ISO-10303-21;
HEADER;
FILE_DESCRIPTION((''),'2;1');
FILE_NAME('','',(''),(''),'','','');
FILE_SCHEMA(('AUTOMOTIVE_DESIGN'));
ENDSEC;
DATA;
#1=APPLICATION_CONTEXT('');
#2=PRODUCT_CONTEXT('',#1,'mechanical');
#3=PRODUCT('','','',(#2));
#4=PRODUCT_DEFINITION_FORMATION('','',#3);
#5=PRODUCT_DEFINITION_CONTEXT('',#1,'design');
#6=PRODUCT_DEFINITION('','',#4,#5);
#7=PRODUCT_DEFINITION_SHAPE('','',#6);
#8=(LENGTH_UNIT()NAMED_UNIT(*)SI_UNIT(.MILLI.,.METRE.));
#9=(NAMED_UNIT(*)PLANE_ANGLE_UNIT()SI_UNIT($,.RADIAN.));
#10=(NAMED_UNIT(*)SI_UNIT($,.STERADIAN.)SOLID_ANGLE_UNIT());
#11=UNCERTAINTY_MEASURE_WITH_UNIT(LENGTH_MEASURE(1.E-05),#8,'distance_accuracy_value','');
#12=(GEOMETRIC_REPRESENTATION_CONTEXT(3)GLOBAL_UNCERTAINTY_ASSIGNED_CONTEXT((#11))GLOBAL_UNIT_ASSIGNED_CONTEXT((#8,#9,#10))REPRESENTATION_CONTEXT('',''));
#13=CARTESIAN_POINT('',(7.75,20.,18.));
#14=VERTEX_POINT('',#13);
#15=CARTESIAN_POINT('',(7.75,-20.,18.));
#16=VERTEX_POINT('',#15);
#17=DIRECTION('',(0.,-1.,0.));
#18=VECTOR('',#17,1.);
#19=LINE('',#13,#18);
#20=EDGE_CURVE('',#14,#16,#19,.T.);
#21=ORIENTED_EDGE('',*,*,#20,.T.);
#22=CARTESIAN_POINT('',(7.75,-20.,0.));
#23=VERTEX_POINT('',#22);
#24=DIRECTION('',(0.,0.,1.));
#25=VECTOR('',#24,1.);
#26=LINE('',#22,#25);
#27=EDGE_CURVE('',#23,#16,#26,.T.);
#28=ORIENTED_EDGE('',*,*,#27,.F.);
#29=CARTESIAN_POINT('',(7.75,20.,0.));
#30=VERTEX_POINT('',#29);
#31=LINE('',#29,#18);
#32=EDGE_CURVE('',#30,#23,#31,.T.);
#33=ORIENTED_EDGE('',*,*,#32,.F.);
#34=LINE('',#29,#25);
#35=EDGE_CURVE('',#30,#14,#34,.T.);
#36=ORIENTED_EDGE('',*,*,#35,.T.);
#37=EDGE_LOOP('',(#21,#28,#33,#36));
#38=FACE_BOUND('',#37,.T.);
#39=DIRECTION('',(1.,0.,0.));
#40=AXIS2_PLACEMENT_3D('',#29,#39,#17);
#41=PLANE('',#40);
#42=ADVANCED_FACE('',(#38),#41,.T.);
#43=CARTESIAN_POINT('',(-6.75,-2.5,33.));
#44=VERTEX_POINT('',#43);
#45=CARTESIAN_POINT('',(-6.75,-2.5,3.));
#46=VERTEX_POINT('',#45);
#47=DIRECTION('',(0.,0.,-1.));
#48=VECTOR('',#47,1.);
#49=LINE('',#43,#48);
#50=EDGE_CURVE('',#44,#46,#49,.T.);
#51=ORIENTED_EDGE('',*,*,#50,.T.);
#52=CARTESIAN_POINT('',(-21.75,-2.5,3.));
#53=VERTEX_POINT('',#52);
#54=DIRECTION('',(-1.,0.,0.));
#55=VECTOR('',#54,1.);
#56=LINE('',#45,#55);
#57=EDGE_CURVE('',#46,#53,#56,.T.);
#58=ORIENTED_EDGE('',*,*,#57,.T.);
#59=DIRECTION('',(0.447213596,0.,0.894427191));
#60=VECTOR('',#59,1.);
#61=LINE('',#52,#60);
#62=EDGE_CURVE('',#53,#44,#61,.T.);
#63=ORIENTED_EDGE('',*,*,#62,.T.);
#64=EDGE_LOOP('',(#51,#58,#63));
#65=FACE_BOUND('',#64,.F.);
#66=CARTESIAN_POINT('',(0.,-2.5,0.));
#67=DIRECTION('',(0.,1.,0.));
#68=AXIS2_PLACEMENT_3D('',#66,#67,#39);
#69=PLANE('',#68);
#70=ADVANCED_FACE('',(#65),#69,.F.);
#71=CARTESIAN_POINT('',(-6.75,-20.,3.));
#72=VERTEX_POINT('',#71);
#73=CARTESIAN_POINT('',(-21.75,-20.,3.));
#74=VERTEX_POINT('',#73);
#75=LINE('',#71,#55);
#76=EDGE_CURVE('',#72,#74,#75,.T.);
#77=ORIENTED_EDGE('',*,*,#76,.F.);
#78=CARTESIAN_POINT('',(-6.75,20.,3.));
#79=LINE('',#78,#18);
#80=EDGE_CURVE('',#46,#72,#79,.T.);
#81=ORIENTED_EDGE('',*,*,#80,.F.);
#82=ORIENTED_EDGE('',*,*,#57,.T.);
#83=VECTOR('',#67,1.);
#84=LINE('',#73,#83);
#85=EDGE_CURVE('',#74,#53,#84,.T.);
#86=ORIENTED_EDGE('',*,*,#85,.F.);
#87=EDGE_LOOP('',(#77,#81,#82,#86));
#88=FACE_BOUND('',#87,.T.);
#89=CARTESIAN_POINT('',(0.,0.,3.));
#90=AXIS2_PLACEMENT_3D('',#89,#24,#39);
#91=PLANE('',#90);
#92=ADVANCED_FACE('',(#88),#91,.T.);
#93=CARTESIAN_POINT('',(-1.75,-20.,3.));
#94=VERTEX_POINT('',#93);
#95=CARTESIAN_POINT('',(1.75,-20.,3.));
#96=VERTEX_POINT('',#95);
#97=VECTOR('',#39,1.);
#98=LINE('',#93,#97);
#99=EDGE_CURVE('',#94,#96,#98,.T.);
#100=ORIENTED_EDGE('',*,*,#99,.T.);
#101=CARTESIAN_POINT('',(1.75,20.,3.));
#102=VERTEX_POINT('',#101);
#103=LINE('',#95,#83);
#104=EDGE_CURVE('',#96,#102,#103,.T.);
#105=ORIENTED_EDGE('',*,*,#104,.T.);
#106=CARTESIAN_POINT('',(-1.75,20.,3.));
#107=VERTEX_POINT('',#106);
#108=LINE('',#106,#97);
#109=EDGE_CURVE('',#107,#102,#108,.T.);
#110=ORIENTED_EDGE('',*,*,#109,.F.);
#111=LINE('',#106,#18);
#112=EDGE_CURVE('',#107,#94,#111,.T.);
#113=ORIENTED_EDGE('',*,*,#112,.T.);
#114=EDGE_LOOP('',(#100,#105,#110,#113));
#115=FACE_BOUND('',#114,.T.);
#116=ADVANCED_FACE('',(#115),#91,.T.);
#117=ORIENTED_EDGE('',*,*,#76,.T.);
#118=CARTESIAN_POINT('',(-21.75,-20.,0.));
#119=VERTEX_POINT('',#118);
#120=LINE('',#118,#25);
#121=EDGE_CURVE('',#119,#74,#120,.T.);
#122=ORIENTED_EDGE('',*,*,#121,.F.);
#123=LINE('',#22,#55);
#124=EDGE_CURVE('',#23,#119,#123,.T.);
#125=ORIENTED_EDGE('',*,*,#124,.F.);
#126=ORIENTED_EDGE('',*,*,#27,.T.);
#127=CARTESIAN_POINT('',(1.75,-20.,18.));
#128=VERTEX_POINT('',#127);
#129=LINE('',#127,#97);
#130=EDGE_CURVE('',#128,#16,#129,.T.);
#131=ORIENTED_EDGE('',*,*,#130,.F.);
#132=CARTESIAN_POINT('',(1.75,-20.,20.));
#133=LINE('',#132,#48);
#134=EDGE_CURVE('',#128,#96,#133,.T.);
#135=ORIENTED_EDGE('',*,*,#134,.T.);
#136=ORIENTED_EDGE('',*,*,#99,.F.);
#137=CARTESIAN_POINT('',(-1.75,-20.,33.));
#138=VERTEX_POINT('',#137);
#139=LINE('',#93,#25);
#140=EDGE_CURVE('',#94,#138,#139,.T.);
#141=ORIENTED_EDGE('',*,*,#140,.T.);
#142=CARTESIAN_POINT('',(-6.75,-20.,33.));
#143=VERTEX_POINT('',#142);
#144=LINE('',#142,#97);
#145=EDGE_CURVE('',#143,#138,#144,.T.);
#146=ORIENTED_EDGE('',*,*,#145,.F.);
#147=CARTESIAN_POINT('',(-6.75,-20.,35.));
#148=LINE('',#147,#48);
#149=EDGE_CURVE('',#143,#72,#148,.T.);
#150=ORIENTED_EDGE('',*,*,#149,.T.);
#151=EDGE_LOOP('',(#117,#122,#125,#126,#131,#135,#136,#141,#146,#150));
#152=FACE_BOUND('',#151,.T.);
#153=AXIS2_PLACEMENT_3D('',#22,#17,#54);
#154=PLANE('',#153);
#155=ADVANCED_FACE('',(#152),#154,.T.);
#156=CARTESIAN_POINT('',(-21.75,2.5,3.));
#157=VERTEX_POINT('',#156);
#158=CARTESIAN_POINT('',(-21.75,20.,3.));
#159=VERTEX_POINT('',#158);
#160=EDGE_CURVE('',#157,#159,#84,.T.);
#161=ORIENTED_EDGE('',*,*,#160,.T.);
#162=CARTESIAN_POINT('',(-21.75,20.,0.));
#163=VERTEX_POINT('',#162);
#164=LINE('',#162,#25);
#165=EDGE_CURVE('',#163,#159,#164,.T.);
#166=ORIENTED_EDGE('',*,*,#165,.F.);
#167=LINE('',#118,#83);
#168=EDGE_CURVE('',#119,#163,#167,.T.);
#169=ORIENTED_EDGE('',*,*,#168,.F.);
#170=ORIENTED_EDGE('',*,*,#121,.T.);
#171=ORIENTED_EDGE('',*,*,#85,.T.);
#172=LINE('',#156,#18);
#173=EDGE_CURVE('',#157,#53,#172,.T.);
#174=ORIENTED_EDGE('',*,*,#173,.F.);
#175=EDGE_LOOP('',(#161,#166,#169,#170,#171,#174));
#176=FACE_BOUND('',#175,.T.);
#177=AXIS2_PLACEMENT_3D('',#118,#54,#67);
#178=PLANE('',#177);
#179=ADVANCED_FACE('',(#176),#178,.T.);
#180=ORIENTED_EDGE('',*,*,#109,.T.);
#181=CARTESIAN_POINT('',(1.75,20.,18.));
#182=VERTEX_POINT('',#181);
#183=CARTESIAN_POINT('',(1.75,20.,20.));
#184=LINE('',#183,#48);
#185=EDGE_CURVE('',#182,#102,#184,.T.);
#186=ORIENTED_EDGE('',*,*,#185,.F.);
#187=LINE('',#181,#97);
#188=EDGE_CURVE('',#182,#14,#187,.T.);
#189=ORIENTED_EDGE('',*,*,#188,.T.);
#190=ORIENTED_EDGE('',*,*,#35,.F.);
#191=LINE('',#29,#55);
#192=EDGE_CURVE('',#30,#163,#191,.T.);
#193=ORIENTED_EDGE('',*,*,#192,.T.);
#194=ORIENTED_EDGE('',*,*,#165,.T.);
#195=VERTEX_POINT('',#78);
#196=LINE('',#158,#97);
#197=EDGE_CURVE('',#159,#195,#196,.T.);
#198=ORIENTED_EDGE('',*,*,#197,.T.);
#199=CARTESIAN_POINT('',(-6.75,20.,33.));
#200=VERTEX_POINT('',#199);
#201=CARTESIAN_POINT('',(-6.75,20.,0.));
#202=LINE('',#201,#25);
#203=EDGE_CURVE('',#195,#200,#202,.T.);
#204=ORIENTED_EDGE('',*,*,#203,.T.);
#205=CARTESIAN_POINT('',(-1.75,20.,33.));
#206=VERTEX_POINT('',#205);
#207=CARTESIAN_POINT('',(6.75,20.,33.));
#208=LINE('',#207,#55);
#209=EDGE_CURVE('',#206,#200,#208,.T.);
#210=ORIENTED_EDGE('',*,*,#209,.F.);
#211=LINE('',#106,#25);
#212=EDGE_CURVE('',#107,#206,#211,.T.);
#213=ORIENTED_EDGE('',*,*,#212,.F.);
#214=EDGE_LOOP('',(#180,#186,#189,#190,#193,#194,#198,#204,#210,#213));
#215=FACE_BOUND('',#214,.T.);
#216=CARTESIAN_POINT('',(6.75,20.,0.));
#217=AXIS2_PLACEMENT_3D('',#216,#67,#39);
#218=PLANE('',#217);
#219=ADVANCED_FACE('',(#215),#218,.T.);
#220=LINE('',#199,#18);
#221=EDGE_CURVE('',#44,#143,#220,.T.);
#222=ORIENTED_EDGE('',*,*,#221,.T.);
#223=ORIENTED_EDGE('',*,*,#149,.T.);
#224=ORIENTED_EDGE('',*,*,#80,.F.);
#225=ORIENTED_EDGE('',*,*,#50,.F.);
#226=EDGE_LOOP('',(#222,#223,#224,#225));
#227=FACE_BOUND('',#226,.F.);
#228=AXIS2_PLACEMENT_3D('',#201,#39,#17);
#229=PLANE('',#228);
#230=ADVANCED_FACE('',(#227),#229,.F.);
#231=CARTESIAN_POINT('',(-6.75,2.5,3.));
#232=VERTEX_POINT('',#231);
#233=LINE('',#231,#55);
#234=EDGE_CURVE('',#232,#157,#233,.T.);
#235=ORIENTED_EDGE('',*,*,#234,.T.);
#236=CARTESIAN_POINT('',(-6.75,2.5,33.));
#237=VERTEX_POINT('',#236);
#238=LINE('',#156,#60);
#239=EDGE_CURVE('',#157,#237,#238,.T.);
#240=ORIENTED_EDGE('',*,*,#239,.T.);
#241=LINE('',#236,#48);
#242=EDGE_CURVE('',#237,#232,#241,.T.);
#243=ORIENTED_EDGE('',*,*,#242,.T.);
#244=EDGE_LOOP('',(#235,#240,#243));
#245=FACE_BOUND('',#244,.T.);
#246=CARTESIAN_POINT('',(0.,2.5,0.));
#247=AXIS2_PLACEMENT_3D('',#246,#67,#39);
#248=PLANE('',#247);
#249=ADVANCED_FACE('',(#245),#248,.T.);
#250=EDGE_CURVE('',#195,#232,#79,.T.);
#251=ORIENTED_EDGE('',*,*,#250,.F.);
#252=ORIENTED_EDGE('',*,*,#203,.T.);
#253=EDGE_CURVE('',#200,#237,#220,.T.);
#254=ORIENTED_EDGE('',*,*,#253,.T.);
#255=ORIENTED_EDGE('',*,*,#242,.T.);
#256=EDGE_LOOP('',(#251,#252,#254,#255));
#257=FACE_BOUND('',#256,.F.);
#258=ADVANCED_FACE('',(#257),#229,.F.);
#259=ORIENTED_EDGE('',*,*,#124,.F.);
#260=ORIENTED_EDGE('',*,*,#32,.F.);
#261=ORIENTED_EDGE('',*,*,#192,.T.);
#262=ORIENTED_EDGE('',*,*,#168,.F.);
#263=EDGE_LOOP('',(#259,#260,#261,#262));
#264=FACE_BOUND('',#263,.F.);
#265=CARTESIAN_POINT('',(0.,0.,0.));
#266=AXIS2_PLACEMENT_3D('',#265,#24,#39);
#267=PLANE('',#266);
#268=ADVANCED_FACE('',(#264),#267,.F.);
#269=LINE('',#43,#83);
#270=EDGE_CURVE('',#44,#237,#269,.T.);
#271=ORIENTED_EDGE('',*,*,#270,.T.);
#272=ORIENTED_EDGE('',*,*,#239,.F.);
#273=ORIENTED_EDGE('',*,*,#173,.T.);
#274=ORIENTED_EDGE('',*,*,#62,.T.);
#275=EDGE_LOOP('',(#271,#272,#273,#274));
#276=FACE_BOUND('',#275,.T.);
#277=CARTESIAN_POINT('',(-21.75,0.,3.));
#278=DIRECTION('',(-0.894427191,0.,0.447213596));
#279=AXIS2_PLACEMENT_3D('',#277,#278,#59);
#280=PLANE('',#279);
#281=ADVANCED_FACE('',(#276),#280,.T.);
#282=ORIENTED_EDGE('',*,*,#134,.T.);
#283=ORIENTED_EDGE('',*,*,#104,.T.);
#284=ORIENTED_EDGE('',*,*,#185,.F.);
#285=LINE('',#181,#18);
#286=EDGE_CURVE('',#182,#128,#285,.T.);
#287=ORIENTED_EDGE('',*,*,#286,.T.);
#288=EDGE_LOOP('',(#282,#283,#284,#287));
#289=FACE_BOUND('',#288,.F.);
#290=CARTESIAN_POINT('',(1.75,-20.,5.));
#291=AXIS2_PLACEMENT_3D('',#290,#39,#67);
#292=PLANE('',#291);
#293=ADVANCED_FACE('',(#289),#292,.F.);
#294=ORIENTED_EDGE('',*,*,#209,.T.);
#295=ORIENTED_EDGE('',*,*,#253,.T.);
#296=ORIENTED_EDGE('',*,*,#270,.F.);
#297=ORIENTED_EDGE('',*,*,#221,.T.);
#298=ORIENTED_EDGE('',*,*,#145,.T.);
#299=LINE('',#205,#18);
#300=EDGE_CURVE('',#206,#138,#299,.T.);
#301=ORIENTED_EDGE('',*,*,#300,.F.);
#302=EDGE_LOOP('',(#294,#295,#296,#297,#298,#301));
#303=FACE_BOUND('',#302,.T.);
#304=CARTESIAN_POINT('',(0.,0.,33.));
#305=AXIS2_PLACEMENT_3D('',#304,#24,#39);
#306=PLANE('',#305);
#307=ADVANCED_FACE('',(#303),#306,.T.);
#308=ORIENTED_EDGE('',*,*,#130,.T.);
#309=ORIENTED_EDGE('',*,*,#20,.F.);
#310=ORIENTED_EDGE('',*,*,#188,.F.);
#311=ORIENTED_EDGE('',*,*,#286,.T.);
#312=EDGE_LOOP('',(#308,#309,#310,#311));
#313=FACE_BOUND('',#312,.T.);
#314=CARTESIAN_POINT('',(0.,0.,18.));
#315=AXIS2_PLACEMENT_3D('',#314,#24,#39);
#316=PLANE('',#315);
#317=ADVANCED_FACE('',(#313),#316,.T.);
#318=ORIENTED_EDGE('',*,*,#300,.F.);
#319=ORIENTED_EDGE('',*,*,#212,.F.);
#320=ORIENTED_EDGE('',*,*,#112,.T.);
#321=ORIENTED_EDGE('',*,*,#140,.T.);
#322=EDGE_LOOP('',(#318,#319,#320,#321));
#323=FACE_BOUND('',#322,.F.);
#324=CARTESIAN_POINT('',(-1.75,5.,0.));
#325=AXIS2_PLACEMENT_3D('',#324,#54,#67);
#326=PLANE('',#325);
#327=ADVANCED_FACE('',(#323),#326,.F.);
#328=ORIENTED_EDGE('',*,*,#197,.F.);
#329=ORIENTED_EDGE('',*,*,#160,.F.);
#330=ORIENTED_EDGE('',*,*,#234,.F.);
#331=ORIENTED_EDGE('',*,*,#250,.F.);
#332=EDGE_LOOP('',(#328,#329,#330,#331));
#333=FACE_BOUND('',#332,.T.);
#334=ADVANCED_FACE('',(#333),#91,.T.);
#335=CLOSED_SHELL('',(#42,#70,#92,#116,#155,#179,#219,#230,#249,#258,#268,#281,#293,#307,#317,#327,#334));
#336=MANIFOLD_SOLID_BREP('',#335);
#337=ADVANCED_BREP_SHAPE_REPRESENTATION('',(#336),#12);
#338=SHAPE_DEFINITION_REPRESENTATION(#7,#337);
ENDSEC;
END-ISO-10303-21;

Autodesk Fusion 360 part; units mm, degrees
sketch "Sketch1" plane through (0, 0, 0) normal (0, 0, 1) x (1, 0, 0)
  line L0 (6.75, 20) -> (-6.75, 20)
  line L1 (-6.75, 20) -> (-6.75, -20)
  line L2 (-6.75, -20) -> (6.75, -20)
  line L3 (6.75, -20) -> (6.75, 20)
  line L4 (6.75, 20) -> (-6.75, -20) construction
  line L5 (-6.75, 20) -> (6.75, -20) construction
  line L6 (1.5, -20) -> (-1.5, -20)
  line L7 (-1.5, -20) -> (-1.5, 20)
  line L8 (-1.5, 20) -> (1.5, 20)
  line L9 (1.5, 20) -> (1.5, -20)
  line L10 (1.5, -20) -> (-1.5, 20) construction
  line L11 (-1.5, -20) -> (1.5, 20) construction
  line L12 (1.75, -20) -> (-1.75, -20)
  line L13 (-1.75, -20) -> (-1.75, 20)
  line L14 (-1.75, 20) -> (1.75, 20)
  line L15 (1.75, 20) -> (1.75, -20)
  line L16 (1.75, -20) -> (-1.75, 20) construction
  line L17 (-1.75, -20) -> (1.75, 20) construction
  line L18 (5, -5) -> (-5, -5)
  line L19 (-5, -5) -> (-5, 5)
  line L20 (-5, 5) -> (5, 5)
  line L21 (5, 5) -> (5, -5)
  line L22 (5, -5) -> (-5, 5) construction
  line L23 (-5, -5) -> (5, 5) construction
  line L24 (1.75, -20) -> (6.75, -20)
  line L25 (6.75, -20) -> (6.75, 20)
  line L26 (6.75, 20) -> (1.75, 20)
  line L27 (1.75, 20) -> (1.75, -20)
  line L28 (-6.75, -20) -> (-21.75, -20)
  line L29 (-21.75, -20) -> (-21.75, 20)
  line L30 (-21.75, 20) -> (-6.75, 20)
  line L31 (-6.75, 20) -> (-6.75, -20)
  line L32 (6.75, 20) -> (7.75, 20)
  line L33 (7.75, 20) -> (7.75, -20)
  line L34 (7.75, -20) -> (6.75, -20)
  line L35 (6.75, -20) -> (6.75, 20)
  dimension "d1" = 13.5
  dimension "d2" = 40
  dimension "d3" = 3
  dimension "d4" = 3.5
  dimension "d5" = 40
  dimension "d6" = 10
  dimension "d7" = 10
  dimension "d18" = 5
  dimension "d19" = 15
  dimension "d20" = 40
  dimension "d29" = 1
  dimension "d30" = 40
extrude "Extrude1" add sketch "Sketch1" along normal blind 20 contours L0 L2 L3 L15 L18 L20 L21 L24 L25 L26 L27 L35 | L15 L18 L20 L21 L27 | L0 L1 L2 L13 L18 L19 L20 L31 | L13 L18 L19 L20 makes body 1 at (-1.75, -6.6667, 6.6667) makes body 2 at (6.75, -6.6667, 6.6667)
extrude "Extrude2" add 1 faces at (-3.4167, -6.6667, 20) along direction (0, 0, 1) blind 15 on bodies 1 bodies 1
extrude "Extrude3" add sketch "Sketch1" along normal blind 5 contours L0 L9 L14 L15 L20 L27 | L0 L7 L8 L9 L14 L20 | L9 L15 L18 L20 L27 | L2 L9 L12 L15 L18 L27 | L0 L7 L13 L14 L20 | L7 L9 L18 L20 | L2 L6 L7 L9 L12 L18 | L7 L13 L18 L20 | L2 L7 L12 L13 L18 bodies 1 2
extrude "Extrude4" add sketch "Sketch1" along normal blind 5 contours L0 L2 L3 L15 L18 L20 L21 L24 L25 L26 L27 L35 | L0 L9 L14 L15 L20 L27 | L0 L7 L8 L9 L14 L20 | L2 L9 L12 L15 L18 L27 | L0 L7 L13 L14 L20 | L2 L6 L7 L9 L12 L18 | L0 L1 L2 L13 L18 L19 L20 L31 | L2 L7 L12 L13 L18 bodies 1
extrude "Extrude5" add sketch "Sketch1" along normal blind 5 contours L15 L18 L20 L21 L27 bodies 1
extrude "Extrude6" add sketch "Sketch1" along normal blind 3 contours L1 L28 L29 L30 L31 bodies 1
extrude "Extrude7" cut 1 faces at (0.5833, -6.6667, 5) along direction (0, 0, -1) blind 2 on bodies 1 bodies 1
extrude "Extrude8" cut 1 faces at (5.0833, 6.6667, 20) along direction (0, 0, -1) blind 2 on bodies 1 bodies 1
extrude "Extrude9" cut 1 faces at (-3.4167, -6.6667, 35) along direction (0, 0, -1) blind 2 on bodies 1 bodies 1
extrude "Extrude10" add sketch "Sketch1" along normal blind 18 contours L3 L25 L32 L33 L34 L35 bodies 1
sketch "Sketch2" plane through (0, 0, 0) normal (0, 1, 0) x (1, 0, 0)
  line L0 (-21.75, -3) -> (-6.75, -33)
  line L1 (-6.75, -3) -> (-21.75, -3)
  line L2 (-6.75, -33) -> (-6.75, -3)
  line L3 (-21.75, -3) -> (-6.75, -3)
  point P0 (-21.75, -3)
  point P1 (-6.75, -33)
  point P2 (-6.75, -3)
  point P3 (-6.75, -3)
extrude "Extrude11" add sketch "Sketch2" along normal blind 2.5 bodies 1
extrude "Extrude12" add sketch "Sketch2" against normal blind 2.5 bodies 1
equation "d1 = 3 mm + 0.5 mm + 5 mm + 5 mm"
equation "d8 = 5 mm + 15 mm"
equation "d31 = 3 mm + 15 mm"
